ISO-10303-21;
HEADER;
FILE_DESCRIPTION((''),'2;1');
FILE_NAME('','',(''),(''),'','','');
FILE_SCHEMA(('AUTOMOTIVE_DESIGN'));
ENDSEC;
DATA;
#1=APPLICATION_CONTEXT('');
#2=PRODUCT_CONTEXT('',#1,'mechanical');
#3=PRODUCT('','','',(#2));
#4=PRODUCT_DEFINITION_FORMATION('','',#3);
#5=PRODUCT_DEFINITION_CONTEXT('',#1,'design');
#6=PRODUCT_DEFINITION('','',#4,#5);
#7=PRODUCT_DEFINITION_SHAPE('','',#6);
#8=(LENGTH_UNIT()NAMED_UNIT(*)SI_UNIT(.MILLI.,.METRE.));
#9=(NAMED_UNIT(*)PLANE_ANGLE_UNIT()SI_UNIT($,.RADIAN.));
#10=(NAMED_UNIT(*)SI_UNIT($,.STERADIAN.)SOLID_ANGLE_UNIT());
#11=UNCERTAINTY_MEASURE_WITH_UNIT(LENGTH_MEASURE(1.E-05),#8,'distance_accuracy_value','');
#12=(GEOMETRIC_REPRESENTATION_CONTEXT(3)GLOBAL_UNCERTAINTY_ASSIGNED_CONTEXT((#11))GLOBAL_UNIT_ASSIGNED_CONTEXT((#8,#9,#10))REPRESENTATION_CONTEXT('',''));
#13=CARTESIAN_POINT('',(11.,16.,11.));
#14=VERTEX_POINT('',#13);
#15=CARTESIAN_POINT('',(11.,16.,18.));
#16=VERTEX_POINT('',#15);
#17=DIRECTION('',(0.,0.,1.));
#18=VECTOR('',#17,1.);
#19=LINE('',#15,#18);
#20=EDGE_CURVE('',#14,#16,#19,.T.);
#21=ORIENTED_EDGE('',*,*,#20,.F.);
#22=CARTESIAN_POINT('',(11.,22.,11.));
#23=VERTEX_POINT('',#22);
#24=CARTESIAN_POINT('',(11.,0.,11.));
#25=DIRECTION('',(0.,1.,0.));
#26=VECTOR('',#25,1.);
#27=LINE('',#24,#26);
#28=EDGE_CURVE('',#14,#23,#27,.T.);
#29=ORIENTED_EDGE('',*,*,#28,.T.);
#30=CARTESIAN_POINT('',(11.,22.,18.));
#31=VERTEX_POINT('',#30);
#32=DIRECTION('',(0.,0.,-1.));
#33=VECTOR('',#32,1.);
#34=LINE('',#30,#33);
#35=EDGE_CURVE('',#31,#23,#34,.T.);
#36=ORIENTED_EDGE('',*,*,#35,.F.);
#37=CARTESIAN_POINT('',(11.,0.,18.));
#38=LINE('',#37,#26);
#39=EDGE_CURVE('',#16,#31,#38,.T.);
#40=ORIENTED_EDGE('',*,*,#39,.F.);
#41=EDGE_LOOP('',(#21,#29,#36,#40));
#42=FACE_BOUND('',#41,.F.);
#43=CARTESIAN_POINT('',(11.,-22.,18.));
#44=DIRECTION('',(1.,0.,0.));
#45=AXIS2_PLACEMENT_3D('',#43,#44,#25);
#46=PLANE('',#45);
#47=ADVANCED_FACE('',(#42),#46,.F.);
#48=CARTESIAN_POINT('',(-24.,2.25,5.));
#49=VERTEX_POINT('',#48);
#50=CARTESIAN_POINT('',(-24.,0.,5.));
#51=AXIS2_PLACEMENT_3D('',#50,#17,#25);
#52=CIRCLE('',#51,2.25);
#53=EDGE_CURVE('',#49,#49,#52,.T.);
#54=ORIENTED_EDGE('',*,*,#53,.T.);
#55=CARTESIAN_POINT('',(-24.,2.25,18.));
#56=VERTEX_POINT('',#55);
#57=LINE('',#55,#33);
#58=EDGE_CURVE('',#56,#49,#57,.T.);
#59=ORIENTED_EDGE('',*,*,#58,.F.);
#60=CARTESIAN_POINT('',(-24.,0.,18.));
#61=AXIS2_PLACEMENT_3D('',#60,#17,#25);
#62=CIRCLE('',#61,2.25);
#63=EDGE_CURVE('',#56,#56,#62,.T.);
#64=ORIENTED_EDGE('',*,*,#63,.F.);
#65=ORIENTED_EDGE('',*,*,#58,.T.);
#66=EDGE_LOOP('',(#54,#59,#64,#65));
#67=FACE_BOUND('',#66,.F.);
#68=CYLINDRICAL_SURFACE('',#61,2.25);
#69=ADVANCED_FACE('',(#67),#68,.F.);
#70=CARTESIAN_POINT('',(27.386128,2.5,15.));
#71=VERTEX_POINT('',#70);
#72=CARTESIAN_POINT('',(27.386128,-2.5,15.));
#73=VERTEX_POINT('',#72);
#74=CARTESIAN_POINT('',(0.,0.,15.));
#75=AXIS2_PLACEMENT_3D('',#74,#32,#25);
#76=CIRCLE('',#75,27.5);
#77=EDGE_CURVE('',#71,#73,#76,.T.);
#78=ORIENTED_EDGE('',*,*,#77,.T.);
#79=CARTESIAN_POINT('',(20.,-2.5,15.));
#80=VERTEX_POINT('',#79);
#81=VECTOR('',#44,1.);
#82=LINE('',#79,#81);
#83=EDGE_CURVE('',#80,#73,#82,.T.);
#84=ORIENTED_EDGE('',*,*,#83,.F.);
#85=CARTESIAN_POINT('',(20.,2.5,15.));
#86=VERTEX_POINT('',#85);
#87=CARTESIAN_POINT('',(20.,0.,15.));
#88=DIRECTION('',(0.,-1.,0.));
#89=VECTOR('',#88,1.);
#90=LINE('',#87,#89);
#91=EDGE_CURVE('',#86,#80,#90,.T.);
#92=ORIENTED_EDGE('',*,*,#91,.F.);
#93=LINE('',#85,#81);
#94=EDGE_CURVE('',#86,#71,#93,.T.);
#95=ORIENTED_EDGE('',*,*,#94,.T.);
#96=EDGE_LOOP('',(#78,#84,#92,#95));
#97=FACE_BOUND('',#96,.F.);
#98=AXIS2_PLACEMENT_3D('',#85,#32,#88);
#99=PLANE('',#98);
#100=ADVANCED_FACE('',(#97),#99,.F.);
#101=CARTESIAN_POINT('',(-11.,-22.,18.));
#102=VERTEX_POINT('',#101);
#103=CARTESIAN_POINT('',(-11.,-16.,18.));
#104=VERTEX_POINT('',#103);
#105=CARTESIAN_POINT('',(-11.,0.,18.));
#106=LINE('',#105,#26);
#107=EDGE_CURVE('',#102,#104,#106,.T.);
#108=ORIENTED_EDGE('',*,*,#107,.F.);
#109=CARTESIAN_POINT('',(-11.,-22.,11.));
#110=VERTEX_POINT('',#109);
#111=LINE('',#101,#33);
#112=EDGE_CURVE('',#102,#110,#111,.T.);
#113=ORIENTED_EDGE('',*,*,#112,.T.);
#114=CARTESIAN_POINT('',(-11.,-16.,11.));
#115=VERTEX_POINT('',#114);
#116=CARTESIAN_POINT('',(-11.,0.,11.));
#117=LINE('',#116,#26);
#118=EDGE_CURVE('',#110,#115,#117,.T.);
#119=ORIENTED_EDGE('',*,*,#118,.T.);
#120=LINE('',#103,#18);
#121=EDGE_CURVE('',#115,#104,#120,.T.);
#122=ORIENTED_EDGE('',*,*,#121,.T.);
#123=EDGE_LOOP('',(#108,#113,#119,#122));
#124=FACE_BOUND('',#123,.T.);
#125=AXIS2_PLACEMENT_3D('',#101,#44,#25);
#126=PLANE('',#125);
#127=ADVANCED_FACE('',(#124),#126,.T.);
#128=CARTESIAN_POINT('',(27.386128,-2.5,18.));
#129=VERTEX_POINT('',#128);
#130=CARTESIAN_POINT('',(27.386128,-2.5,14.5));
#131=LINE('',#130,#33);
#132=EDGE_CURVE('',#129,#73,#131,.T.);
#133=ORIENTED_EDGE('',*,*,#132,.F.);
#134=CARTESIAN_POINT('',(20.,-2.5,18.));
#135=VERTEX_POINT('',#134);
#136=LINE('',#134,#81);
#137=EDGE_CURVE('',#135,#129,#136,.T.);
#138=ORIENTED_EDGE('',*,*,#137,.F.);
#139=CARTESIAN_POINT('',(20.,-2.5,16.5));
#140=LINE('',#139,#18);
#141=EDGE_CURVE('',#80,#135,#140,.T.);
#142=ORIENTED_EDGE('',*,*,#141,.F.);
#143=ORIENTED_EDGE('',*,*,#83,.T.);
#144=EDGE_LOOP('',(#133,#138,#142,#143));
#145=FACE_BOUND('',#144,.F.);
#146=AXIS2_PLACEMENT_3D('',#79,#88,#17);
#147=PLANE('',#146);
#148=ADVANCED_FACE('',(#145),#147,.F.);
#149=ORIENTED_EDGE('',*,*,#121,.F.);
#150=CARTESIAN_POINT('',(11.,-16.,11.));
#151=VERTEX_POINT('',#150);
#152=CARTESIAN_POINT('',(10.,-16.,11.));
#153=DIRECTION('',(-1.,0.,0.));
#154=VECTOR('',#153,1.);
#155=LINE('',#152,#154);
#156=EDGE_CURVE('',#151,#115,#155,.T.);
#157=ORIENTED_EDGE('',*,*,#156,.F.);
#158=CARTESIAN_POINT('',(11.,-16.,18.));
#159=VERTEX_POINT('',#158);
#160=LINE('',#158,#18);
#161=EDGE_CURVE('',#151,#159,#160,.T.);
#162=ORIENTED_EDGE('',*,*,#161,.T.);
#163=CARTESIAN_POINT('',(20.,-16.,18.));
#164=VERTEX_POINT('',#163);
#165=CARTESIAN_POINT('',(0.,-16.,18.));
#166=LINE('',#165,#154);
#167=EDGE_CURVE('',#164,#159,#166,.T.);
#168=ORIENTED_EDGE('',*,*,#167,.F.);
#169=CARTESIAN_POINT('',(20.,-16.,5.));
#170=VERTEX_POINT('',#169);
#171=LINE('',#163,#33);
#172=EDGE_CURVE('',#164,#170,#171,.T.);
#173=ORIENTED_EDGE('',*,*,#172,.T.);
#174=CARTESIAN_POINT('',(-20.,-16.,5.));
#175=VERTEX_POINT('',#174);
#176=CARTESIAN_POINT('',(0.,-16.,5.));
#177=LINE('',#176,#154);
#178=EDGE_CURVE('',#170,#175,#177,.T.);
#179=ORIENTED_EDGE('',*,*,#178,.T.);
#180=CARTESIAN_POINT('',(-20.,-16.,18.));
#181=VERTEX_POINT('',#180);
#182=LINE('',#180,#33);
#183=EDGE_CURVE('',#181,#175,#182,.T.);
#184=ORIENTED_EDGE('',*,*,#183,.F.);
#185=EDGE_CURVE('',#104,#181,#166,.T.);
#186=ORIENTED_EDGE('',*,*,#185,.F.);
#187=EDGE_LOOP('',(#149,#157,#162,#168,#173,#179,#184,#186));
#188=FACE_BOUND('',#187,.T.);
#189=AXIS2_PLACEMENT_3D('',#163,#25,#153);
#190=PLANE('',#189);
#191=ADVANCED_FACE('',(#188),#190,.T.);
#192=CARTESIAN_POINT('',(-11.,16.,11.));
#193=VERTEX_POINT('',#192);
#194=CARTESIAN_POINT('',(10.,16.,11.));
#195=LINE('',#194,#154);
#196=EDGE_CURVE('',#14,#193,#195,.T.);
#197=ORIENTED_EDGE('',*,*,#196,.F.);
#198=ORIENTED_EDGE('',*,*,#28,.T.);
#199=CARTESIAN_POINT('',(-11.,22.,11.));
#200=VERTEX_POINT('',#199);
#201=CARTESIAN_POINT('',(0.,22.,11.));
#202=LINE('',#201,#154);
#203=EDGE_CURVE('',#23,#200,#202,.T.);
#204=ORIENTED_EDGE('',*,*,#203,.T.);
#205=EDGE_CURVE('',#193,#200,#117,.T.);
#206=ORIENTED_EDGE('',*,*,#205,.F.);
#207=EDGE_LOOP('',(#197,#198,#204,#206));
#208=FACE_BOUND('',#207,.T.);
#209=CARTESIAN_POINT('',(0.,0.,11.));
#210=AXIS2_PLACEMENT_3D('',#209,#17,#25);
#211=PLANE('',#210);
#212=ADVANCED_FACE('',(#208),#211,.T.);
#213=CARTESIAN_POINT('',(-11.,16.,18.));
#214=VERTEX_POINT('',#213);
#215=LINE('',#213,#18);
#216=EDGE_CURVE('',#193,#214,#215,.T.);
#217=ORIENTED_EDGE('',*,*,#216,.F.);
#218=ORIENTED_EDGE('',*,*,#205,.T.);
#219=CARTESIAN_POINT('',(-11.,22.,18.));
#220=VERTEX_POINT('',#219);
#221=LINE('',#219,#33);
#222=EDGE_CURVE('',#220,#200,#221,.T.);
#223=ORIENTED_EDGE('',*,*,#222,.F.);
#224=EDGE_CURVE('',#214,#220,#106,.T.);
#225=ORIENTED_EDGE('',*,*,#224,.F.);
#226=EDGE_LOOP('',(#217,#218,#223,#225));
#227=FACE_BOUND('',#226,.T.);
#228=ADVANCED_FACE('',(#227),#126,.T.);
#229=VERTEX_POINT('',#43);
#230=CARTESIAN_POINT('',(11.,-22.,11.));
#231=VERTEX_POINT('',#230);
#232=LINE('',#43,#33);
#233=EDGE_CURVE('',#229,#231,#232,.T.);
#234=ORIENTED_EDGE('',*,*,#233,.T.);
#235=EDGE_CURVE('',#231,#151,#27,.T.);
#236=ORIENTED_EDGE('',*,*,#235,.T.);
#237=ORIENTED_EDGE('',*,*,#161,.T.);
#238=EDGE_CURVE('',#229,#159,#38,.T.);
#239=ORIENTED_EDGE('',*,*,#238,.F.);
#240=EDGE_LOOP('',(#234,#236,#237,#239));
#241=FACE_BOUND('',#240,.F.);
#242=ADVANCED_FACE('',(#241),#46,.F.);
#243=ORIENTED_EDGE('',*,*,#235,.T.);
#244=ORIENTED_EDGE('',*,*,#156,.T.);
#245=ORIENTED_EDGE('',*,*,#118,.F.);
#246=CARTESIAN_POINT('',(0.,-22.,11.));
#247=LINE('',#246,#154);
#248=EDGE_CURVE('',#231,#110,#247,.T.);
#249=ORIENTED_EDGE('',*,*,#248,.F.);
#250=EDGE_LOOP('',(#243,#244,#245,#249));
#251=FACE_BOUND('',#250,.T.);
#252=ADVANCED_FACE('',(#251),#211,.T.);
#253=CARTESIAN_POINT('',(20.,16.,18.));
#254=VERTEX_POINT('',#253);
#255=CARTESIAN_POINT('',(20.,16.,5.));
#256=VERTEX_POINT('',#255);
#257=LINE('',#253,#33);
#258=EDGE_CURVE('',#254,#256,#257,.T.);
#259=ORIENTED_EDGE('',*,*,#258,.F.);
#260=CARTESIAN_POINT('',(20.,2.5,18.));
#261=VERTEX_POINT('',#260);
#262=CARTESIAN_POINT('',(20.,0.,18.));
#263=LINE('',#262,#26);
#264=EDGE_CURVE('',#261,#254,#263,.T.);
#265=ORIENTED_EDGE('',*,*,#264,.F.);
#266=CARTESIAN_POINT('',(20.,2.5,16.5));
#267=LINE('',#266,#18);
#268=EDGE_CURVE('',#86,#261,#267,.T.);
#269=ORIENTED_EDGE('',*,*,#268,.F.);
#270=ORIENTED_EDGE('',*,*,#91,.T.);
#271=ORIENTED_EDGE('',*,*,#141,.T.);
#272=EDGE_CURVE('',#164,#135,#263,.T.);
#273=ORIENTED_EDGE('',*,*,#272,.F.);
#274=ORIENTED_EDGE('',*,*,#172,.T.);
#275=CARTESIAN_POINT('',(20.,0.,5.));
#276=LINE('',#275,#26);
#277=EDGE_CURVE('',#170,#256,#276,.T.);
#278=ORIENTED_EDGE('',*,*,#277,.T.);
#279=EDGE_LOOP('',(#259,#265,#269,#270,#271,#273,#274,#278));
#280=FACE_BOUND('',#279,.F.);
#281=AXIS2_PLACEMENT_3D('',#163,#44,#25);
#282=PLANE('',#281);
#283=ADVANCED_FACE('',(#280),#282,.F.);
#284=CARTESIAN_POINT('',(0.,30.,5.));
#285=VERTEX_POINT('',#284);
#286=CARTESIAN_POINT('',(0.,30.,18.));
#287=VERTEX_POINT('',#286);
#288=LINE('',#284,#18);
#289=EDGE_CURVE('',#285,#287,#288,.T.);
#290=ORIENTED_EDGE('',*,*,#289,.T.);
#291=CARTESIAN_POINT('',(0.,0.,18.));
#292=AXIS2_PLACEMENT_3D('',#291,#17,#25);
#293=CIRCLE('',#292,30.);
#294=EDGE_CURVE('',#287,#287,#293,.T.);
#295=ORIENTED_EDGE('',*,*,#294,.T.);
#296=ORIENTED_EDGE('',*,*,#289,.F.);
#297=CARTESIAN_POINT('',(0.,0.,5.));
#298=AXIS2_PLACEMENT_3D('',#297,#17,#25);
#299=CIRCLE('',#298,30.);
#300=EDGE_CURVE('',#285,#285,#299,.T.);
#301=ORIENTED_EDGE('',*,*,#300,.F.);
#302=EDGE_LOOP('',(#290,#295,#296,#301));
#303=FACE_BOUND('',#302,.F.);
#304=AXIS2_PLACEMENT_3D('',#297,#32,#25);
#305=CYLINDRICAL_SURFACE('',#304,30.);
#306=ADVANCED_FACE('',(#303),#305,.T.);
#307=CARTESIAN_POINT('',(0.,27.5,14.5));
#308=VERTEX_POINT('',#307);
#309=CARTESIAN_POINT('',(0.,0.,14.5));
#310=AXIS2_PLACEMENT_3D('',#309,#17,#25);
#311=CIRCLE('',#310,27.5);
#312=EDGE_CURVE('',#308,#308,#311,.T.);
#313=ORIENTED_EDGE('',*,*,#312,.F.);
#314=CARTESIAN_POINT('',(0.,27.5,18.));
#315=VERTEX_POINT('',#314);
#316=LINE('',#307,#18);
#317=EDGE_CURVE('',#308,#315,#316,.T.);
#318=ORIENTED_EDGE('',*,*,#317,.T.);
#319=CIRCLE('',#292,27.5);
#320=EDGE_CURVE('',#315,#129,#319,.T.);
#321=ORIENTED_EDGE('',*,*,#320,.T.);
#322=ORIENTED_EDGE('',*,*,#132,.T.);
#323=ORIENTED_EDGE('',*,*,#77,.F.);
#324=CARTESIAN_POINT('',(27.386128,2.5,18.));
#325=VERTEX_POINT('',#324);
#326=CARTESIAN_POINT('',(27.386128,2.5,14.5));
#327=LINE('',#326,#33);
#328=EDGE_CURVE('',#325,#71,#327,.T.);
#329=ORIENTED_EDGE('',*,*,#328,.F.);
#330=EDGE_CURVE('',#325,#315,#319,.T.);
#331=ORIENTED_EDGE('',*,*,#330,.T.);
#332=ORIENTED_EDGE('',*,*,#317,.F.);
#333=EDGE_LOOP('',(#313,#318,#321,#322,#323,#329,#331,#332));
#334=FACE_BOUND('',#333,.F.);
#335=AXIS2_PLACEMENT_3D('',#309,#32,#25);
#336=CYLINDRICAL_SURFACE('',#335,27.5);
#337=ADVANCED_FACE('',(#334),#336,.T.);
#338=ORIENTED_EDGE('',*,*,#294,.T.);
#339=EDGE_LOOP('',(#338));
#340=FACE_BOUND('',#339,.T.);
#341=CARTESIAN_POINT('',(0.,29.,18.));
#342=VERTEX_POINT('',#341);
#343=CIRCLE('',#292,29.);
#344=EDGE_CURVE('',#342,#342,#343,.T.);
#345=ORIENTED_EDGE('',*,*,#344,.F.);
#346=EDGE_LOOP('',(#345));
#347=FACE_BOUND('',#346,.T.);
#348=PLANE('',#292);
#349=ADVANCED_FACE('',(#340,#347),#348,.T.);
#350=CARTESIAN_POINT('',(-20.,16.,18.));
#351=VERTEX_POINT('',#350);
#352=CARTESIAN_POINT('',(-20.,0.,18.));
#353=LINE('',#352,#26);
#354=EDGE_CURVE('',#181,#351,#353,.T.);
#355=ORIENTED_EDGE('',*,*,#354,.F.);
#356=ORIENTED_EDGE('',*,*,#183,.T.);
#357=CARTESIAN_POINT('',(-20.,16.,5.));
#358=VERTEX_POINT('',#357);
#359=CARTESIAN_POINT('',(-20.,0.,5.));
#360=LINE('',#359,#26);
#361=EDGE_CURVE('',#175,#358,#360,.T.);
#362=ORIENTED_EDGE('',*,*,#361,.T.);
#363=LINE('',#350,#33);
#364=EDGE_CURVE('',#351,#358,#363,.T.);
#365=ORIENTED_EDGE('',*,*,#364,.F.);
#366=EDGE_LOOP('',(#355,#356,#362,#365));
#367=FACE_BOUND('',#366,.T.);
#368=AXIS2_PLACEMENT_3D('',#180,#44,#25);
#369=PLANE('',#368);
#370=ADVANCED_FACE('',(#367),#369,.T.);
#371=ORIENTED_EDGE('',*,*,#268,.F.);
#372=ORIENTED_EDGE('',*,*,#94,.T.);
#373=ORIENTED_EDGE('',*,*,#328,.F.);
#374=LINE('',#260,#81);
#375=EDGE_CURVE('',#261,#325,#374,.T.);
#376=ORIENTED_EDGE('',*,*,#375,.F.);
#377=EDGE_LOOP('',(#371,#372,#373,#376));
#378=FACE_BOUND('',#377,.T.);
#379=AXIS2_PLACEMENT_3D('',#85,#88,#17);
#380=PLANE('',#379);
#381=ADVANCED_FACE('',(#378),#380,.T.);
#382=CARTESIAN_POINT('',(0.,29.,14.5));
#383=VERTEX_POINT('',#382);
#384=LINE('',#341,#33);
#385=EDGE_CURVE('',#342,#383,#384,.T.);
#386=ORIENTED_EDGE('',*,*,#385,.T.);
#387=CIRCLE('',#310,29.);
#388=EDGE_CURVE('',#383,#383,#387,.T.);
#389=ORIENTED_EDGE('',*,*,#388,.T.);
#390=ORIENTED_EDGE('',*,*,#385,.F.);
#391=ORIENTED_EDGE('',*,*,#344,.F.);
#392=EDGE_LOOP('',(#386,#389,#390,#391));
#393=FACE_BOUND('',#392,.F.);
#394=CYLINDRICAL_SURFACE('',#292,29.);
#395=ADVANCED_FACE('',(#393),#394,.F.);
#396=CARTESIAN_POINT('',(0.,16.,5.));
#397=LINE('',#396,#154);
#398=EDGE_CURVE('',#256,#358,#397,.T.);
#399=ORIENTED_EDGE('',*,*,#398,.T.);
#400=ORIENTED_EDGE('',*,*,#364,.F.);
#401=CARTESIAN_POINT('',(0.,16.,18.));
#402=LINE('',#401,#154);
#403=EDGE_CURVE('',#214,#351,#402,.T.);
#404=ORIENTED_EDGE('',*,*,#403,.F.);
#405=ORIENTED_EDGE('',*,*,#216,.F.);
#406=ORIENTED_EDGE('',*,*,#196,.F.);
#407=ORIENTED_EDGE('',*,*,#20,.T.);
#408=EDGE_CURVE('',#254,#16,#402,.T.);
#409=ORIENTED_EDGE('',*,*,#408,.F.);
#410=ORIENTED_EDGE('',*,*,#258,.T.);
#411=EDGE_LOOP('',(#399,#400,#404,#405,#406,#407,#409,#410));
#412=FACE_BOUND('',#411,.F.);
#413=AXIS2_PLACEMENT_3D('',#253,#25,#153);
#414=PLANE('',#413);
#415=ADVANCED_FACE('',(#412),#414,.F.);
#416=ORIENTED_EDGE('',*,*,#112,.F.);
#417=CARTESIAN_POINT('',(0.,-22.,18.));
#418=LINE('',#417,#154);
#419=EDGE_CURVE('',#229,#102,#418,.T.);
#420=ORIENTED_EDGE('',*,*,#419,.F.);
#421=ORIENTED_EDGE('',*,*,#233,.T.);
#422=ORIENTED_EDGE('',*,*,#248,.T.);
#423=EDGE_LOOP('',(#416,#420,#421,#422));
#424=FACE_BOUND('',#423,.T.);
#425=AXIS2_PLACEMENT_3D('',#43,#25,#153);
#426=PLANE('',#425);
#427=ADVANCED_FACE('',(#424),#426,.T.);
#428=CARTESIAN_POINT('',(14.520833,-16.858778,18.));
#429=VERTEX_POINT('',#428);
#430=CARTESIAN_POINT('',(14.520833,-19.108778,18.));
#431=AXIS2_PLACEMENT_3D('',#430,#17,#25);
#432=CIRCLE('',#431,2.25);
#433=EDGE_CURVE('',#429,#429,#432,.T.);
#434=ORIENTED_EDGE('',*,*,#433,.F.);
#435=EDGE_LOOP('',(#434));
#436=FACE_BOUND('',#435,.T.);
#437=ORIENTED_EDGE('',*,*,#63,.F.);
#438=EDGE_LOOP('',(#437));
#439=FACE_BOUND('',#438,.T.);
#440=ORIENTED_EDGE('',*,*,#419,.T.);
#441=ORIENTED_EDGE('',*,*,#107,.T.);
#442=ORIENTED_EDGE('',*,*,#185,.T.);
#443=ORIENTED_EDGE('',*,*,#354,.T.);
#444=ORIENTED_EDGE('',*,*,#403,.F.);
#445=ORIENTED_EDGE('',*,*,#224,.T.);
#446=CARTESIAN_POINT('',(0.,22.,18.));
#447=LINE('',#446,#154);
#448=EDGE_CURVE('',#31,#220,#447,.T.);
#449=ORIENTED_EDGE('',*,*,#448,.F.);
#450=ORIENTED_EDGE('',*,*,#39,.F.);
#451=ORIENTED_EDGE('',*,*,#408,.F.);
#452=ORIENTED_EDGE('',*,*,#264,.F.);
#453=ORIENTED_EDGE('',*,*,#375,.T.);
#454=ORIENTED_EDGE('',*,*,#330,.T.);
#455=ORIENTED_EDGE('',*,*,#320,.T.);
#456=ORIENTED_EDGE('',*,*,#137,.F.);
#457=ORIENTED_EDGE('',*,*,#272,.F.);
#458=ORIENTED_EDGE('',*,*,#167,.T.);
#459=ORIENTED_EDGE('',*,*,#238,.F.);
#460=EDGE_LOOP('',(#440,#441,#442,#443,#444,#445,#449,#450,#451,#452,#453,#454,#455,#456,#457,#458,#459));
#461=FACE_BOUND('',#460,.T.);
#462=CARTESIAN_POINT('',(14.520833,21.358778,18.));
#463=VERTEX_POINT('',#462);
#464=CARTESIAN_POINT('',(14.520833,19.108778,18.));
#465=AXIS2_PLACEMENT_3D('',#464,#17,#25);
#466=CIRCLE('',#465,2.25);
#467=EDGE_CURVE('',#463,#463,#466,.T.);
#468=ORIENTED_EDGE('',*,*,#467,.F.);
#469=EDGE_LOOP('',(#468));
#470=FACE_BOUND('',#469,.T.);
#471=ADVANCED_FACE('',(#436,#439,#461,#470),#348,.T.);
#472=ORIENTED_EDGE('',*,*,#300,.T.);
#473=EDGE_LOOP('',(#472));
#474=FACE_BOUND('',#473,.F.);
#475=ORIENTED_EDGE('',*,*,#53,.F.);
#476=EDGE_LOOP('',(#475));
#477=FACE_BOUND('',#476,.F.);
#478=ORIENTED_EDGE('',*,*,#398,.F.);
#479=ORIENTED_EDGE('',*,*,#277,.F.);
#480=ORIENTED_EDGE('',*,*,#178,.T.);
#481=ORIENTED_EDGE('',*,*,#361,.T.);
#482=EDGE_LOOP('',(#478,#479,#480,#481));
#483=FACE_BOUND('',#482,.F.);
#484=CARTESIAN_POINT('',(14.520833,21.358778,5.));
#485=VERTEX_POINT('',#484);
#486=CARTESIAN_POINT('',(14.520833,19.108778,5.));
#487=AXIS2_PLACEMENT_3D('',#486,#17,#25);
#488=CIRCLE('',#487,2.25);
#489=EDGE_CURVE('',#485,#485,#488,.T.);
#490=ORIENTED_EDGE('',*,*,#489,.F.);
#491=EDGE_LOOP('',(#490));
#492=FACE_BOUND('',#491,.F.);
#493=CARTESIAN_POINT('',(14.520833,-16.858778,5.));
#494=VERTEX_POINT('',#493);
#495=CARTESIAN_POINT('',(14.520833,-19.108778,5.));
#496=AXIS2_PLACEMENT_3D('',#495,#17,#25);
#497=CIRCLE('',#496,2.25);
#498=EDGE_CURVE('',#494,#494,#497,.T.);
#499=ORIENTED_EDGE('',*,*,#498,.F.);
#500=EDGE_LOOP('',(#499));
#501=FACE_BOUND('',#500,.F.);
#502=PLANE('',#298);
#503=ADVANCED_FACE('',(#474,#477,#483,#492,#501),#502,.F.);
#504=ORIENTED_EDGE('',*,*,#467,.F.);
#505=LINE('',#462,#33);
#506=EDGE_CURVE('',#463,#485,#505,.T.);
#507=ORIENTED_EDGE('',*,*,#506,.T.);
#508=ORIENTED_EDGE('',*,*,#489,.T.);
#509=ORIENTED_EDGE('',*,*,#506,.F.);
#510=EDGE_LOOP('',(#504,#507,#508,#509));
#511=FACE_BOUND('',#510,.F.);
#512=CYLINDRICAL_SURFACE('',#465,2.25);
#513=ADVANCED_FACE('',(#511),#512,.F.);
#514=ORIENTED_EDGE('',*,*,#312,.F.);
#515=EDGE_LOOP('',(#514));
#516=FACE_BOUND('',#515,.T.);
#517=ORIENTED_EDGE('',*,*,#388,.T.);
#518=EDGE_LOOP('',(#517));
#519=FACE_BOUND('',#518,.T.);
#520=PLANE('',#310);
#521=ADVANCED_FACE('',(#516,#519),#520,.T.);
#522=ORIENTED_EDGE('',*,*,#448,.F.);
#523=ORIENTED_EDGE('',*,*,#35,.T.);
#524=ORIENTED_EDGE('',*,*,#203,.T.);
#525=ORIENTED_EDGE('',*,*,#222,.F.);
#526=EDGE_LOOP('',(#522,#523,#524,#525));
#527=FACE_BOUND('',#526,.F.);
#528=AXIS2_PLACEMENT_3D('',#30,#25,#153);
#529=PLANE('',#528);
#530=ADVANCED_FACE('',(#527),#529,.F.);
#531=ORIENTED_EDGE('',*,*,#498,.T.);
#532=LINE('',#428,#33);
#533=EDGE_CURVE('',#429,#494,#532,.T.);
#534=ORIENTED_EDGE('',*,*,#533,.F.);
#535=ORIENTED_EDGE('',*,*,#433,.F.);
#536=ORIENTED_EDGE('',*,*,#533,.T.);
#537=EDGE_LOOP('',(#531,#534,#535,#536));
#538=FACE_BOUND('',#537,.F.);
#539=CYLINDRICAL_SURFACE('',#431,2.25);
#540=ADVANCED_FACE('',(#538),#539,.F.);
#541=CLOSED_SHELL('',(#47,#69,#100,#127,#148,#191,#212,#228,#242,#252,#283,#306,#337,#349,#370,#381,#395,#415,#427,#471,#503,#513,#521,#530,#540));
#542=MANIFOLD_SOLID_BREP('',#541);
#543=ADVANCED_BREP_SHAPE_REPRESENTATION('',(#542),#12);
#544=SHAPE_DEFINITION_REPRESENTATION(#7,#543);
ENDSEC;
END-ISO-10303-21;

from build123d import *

# Parameters (mm, degrees)
SKETCH005_R             = 30
PAD002_DEPTH            = 13
SKETCH006_R             = 29
POCKET001_DEPTH         = 3.5
SKETCH007_R             = 27.5
PAD003_DEPTH            = 3.5
SKETCH010_W             = 44
SKETCH010_H             = 22
POCKET003_DEPTH         = 7
SKETCH018_W             = 32
SKETCH018_H             = 40
POCKET011_DEPTH         = 13
SKETCH020_W             = 5
SKETCH020_H             = 3
POCKET012_DEPTH         = 8
SKETCH023_R             = 2.25
POCKET015_DEPTH         = 20
BODY002_PLACEMENT_ANGLE = 90


with BuildPart() as part:
    # Sketch005 → Pad002 (new body)
    with BuildSketch(Plane.XY):
        Circle(SKETCH005_R)
    extrude(amount=PAD002_DEPTH)

    # Sketch006 (on Face3 of Pad002) → Pocket001 (cut)
    with BuildSketch(Plane.XY.offset(13)):
        Circle(SKETCH006_R)
    extrude(amount=-POCKET001_DEPTH, mode=Mode.SUBTRACT)

    # Sketch007 (on Face5 of Pocket001) → Pad003 (join)
    with BuildSketch(Plane.XY.offset(9.5)):
        Circle(SKETCH007_R)
    extrude(amount=PAD003_DEPTH)

    # Sketch010 (on Face7 of Pad003) → Pocket003 (cut)
    with BuildSketch(Plane.XY.offset(13)):
        Rectangle(SKETCH010_W, SKETCH010_H)
    extrude(amount=-POCKET003_DEPTH, mode=Mode.SUBTRACT)

    # Sketch018 (on Face7 of Pocket003) → Pocket011 (cut)
    with BuildSketch(Plane.XY.offset(13)):
        Rectangle(SKETCH018_W, SKETCH018_H)
    extrude(amount=-POCKET011_DEPTH, mode=Mode.SUBTRACT)

    # Sketch020 (on Face5 of Pocket011) → Pocket012 (cut)
    with BuildSketch(Plane(origin=(0, -20, 0), x_dir=(-1, 0, 0), z_dir=(0, 1, 0))):
        with Locations((0, 11.5)):
            Rectangle(SKETCH020_W, SKETCH020_H)
    extrude(amount=-POCKET012_DEPTH, mode=Mode.SUBTRACT)

    # Sketch023 (on Face9 of Pocket012) → Pocket015 (cut)
    with BuildSketch(Plane.XY.offset(13)):
        with Locations((-19.108778, -14.520833)):
            Circle(SKETCH023_R)
        with Locations((0, 24)):
            Circle(SKETCH023_R)
        with Locations((19.108778, -14.520833)):
            Circle(SKETCH023_R)
    extrude(amount=-POCKET015_DEPTH, mode=Mode.SUBTRACT)


with BuildPart() as part_1:
    # Body002 placement: moved
    add(part.part.moved(Location((0, 0, 5))).rotate(Axis((0, 0, 5), (0, 0, 1)), BODY002_PLACEMENT_ANGLE))


solid = part_1.part
